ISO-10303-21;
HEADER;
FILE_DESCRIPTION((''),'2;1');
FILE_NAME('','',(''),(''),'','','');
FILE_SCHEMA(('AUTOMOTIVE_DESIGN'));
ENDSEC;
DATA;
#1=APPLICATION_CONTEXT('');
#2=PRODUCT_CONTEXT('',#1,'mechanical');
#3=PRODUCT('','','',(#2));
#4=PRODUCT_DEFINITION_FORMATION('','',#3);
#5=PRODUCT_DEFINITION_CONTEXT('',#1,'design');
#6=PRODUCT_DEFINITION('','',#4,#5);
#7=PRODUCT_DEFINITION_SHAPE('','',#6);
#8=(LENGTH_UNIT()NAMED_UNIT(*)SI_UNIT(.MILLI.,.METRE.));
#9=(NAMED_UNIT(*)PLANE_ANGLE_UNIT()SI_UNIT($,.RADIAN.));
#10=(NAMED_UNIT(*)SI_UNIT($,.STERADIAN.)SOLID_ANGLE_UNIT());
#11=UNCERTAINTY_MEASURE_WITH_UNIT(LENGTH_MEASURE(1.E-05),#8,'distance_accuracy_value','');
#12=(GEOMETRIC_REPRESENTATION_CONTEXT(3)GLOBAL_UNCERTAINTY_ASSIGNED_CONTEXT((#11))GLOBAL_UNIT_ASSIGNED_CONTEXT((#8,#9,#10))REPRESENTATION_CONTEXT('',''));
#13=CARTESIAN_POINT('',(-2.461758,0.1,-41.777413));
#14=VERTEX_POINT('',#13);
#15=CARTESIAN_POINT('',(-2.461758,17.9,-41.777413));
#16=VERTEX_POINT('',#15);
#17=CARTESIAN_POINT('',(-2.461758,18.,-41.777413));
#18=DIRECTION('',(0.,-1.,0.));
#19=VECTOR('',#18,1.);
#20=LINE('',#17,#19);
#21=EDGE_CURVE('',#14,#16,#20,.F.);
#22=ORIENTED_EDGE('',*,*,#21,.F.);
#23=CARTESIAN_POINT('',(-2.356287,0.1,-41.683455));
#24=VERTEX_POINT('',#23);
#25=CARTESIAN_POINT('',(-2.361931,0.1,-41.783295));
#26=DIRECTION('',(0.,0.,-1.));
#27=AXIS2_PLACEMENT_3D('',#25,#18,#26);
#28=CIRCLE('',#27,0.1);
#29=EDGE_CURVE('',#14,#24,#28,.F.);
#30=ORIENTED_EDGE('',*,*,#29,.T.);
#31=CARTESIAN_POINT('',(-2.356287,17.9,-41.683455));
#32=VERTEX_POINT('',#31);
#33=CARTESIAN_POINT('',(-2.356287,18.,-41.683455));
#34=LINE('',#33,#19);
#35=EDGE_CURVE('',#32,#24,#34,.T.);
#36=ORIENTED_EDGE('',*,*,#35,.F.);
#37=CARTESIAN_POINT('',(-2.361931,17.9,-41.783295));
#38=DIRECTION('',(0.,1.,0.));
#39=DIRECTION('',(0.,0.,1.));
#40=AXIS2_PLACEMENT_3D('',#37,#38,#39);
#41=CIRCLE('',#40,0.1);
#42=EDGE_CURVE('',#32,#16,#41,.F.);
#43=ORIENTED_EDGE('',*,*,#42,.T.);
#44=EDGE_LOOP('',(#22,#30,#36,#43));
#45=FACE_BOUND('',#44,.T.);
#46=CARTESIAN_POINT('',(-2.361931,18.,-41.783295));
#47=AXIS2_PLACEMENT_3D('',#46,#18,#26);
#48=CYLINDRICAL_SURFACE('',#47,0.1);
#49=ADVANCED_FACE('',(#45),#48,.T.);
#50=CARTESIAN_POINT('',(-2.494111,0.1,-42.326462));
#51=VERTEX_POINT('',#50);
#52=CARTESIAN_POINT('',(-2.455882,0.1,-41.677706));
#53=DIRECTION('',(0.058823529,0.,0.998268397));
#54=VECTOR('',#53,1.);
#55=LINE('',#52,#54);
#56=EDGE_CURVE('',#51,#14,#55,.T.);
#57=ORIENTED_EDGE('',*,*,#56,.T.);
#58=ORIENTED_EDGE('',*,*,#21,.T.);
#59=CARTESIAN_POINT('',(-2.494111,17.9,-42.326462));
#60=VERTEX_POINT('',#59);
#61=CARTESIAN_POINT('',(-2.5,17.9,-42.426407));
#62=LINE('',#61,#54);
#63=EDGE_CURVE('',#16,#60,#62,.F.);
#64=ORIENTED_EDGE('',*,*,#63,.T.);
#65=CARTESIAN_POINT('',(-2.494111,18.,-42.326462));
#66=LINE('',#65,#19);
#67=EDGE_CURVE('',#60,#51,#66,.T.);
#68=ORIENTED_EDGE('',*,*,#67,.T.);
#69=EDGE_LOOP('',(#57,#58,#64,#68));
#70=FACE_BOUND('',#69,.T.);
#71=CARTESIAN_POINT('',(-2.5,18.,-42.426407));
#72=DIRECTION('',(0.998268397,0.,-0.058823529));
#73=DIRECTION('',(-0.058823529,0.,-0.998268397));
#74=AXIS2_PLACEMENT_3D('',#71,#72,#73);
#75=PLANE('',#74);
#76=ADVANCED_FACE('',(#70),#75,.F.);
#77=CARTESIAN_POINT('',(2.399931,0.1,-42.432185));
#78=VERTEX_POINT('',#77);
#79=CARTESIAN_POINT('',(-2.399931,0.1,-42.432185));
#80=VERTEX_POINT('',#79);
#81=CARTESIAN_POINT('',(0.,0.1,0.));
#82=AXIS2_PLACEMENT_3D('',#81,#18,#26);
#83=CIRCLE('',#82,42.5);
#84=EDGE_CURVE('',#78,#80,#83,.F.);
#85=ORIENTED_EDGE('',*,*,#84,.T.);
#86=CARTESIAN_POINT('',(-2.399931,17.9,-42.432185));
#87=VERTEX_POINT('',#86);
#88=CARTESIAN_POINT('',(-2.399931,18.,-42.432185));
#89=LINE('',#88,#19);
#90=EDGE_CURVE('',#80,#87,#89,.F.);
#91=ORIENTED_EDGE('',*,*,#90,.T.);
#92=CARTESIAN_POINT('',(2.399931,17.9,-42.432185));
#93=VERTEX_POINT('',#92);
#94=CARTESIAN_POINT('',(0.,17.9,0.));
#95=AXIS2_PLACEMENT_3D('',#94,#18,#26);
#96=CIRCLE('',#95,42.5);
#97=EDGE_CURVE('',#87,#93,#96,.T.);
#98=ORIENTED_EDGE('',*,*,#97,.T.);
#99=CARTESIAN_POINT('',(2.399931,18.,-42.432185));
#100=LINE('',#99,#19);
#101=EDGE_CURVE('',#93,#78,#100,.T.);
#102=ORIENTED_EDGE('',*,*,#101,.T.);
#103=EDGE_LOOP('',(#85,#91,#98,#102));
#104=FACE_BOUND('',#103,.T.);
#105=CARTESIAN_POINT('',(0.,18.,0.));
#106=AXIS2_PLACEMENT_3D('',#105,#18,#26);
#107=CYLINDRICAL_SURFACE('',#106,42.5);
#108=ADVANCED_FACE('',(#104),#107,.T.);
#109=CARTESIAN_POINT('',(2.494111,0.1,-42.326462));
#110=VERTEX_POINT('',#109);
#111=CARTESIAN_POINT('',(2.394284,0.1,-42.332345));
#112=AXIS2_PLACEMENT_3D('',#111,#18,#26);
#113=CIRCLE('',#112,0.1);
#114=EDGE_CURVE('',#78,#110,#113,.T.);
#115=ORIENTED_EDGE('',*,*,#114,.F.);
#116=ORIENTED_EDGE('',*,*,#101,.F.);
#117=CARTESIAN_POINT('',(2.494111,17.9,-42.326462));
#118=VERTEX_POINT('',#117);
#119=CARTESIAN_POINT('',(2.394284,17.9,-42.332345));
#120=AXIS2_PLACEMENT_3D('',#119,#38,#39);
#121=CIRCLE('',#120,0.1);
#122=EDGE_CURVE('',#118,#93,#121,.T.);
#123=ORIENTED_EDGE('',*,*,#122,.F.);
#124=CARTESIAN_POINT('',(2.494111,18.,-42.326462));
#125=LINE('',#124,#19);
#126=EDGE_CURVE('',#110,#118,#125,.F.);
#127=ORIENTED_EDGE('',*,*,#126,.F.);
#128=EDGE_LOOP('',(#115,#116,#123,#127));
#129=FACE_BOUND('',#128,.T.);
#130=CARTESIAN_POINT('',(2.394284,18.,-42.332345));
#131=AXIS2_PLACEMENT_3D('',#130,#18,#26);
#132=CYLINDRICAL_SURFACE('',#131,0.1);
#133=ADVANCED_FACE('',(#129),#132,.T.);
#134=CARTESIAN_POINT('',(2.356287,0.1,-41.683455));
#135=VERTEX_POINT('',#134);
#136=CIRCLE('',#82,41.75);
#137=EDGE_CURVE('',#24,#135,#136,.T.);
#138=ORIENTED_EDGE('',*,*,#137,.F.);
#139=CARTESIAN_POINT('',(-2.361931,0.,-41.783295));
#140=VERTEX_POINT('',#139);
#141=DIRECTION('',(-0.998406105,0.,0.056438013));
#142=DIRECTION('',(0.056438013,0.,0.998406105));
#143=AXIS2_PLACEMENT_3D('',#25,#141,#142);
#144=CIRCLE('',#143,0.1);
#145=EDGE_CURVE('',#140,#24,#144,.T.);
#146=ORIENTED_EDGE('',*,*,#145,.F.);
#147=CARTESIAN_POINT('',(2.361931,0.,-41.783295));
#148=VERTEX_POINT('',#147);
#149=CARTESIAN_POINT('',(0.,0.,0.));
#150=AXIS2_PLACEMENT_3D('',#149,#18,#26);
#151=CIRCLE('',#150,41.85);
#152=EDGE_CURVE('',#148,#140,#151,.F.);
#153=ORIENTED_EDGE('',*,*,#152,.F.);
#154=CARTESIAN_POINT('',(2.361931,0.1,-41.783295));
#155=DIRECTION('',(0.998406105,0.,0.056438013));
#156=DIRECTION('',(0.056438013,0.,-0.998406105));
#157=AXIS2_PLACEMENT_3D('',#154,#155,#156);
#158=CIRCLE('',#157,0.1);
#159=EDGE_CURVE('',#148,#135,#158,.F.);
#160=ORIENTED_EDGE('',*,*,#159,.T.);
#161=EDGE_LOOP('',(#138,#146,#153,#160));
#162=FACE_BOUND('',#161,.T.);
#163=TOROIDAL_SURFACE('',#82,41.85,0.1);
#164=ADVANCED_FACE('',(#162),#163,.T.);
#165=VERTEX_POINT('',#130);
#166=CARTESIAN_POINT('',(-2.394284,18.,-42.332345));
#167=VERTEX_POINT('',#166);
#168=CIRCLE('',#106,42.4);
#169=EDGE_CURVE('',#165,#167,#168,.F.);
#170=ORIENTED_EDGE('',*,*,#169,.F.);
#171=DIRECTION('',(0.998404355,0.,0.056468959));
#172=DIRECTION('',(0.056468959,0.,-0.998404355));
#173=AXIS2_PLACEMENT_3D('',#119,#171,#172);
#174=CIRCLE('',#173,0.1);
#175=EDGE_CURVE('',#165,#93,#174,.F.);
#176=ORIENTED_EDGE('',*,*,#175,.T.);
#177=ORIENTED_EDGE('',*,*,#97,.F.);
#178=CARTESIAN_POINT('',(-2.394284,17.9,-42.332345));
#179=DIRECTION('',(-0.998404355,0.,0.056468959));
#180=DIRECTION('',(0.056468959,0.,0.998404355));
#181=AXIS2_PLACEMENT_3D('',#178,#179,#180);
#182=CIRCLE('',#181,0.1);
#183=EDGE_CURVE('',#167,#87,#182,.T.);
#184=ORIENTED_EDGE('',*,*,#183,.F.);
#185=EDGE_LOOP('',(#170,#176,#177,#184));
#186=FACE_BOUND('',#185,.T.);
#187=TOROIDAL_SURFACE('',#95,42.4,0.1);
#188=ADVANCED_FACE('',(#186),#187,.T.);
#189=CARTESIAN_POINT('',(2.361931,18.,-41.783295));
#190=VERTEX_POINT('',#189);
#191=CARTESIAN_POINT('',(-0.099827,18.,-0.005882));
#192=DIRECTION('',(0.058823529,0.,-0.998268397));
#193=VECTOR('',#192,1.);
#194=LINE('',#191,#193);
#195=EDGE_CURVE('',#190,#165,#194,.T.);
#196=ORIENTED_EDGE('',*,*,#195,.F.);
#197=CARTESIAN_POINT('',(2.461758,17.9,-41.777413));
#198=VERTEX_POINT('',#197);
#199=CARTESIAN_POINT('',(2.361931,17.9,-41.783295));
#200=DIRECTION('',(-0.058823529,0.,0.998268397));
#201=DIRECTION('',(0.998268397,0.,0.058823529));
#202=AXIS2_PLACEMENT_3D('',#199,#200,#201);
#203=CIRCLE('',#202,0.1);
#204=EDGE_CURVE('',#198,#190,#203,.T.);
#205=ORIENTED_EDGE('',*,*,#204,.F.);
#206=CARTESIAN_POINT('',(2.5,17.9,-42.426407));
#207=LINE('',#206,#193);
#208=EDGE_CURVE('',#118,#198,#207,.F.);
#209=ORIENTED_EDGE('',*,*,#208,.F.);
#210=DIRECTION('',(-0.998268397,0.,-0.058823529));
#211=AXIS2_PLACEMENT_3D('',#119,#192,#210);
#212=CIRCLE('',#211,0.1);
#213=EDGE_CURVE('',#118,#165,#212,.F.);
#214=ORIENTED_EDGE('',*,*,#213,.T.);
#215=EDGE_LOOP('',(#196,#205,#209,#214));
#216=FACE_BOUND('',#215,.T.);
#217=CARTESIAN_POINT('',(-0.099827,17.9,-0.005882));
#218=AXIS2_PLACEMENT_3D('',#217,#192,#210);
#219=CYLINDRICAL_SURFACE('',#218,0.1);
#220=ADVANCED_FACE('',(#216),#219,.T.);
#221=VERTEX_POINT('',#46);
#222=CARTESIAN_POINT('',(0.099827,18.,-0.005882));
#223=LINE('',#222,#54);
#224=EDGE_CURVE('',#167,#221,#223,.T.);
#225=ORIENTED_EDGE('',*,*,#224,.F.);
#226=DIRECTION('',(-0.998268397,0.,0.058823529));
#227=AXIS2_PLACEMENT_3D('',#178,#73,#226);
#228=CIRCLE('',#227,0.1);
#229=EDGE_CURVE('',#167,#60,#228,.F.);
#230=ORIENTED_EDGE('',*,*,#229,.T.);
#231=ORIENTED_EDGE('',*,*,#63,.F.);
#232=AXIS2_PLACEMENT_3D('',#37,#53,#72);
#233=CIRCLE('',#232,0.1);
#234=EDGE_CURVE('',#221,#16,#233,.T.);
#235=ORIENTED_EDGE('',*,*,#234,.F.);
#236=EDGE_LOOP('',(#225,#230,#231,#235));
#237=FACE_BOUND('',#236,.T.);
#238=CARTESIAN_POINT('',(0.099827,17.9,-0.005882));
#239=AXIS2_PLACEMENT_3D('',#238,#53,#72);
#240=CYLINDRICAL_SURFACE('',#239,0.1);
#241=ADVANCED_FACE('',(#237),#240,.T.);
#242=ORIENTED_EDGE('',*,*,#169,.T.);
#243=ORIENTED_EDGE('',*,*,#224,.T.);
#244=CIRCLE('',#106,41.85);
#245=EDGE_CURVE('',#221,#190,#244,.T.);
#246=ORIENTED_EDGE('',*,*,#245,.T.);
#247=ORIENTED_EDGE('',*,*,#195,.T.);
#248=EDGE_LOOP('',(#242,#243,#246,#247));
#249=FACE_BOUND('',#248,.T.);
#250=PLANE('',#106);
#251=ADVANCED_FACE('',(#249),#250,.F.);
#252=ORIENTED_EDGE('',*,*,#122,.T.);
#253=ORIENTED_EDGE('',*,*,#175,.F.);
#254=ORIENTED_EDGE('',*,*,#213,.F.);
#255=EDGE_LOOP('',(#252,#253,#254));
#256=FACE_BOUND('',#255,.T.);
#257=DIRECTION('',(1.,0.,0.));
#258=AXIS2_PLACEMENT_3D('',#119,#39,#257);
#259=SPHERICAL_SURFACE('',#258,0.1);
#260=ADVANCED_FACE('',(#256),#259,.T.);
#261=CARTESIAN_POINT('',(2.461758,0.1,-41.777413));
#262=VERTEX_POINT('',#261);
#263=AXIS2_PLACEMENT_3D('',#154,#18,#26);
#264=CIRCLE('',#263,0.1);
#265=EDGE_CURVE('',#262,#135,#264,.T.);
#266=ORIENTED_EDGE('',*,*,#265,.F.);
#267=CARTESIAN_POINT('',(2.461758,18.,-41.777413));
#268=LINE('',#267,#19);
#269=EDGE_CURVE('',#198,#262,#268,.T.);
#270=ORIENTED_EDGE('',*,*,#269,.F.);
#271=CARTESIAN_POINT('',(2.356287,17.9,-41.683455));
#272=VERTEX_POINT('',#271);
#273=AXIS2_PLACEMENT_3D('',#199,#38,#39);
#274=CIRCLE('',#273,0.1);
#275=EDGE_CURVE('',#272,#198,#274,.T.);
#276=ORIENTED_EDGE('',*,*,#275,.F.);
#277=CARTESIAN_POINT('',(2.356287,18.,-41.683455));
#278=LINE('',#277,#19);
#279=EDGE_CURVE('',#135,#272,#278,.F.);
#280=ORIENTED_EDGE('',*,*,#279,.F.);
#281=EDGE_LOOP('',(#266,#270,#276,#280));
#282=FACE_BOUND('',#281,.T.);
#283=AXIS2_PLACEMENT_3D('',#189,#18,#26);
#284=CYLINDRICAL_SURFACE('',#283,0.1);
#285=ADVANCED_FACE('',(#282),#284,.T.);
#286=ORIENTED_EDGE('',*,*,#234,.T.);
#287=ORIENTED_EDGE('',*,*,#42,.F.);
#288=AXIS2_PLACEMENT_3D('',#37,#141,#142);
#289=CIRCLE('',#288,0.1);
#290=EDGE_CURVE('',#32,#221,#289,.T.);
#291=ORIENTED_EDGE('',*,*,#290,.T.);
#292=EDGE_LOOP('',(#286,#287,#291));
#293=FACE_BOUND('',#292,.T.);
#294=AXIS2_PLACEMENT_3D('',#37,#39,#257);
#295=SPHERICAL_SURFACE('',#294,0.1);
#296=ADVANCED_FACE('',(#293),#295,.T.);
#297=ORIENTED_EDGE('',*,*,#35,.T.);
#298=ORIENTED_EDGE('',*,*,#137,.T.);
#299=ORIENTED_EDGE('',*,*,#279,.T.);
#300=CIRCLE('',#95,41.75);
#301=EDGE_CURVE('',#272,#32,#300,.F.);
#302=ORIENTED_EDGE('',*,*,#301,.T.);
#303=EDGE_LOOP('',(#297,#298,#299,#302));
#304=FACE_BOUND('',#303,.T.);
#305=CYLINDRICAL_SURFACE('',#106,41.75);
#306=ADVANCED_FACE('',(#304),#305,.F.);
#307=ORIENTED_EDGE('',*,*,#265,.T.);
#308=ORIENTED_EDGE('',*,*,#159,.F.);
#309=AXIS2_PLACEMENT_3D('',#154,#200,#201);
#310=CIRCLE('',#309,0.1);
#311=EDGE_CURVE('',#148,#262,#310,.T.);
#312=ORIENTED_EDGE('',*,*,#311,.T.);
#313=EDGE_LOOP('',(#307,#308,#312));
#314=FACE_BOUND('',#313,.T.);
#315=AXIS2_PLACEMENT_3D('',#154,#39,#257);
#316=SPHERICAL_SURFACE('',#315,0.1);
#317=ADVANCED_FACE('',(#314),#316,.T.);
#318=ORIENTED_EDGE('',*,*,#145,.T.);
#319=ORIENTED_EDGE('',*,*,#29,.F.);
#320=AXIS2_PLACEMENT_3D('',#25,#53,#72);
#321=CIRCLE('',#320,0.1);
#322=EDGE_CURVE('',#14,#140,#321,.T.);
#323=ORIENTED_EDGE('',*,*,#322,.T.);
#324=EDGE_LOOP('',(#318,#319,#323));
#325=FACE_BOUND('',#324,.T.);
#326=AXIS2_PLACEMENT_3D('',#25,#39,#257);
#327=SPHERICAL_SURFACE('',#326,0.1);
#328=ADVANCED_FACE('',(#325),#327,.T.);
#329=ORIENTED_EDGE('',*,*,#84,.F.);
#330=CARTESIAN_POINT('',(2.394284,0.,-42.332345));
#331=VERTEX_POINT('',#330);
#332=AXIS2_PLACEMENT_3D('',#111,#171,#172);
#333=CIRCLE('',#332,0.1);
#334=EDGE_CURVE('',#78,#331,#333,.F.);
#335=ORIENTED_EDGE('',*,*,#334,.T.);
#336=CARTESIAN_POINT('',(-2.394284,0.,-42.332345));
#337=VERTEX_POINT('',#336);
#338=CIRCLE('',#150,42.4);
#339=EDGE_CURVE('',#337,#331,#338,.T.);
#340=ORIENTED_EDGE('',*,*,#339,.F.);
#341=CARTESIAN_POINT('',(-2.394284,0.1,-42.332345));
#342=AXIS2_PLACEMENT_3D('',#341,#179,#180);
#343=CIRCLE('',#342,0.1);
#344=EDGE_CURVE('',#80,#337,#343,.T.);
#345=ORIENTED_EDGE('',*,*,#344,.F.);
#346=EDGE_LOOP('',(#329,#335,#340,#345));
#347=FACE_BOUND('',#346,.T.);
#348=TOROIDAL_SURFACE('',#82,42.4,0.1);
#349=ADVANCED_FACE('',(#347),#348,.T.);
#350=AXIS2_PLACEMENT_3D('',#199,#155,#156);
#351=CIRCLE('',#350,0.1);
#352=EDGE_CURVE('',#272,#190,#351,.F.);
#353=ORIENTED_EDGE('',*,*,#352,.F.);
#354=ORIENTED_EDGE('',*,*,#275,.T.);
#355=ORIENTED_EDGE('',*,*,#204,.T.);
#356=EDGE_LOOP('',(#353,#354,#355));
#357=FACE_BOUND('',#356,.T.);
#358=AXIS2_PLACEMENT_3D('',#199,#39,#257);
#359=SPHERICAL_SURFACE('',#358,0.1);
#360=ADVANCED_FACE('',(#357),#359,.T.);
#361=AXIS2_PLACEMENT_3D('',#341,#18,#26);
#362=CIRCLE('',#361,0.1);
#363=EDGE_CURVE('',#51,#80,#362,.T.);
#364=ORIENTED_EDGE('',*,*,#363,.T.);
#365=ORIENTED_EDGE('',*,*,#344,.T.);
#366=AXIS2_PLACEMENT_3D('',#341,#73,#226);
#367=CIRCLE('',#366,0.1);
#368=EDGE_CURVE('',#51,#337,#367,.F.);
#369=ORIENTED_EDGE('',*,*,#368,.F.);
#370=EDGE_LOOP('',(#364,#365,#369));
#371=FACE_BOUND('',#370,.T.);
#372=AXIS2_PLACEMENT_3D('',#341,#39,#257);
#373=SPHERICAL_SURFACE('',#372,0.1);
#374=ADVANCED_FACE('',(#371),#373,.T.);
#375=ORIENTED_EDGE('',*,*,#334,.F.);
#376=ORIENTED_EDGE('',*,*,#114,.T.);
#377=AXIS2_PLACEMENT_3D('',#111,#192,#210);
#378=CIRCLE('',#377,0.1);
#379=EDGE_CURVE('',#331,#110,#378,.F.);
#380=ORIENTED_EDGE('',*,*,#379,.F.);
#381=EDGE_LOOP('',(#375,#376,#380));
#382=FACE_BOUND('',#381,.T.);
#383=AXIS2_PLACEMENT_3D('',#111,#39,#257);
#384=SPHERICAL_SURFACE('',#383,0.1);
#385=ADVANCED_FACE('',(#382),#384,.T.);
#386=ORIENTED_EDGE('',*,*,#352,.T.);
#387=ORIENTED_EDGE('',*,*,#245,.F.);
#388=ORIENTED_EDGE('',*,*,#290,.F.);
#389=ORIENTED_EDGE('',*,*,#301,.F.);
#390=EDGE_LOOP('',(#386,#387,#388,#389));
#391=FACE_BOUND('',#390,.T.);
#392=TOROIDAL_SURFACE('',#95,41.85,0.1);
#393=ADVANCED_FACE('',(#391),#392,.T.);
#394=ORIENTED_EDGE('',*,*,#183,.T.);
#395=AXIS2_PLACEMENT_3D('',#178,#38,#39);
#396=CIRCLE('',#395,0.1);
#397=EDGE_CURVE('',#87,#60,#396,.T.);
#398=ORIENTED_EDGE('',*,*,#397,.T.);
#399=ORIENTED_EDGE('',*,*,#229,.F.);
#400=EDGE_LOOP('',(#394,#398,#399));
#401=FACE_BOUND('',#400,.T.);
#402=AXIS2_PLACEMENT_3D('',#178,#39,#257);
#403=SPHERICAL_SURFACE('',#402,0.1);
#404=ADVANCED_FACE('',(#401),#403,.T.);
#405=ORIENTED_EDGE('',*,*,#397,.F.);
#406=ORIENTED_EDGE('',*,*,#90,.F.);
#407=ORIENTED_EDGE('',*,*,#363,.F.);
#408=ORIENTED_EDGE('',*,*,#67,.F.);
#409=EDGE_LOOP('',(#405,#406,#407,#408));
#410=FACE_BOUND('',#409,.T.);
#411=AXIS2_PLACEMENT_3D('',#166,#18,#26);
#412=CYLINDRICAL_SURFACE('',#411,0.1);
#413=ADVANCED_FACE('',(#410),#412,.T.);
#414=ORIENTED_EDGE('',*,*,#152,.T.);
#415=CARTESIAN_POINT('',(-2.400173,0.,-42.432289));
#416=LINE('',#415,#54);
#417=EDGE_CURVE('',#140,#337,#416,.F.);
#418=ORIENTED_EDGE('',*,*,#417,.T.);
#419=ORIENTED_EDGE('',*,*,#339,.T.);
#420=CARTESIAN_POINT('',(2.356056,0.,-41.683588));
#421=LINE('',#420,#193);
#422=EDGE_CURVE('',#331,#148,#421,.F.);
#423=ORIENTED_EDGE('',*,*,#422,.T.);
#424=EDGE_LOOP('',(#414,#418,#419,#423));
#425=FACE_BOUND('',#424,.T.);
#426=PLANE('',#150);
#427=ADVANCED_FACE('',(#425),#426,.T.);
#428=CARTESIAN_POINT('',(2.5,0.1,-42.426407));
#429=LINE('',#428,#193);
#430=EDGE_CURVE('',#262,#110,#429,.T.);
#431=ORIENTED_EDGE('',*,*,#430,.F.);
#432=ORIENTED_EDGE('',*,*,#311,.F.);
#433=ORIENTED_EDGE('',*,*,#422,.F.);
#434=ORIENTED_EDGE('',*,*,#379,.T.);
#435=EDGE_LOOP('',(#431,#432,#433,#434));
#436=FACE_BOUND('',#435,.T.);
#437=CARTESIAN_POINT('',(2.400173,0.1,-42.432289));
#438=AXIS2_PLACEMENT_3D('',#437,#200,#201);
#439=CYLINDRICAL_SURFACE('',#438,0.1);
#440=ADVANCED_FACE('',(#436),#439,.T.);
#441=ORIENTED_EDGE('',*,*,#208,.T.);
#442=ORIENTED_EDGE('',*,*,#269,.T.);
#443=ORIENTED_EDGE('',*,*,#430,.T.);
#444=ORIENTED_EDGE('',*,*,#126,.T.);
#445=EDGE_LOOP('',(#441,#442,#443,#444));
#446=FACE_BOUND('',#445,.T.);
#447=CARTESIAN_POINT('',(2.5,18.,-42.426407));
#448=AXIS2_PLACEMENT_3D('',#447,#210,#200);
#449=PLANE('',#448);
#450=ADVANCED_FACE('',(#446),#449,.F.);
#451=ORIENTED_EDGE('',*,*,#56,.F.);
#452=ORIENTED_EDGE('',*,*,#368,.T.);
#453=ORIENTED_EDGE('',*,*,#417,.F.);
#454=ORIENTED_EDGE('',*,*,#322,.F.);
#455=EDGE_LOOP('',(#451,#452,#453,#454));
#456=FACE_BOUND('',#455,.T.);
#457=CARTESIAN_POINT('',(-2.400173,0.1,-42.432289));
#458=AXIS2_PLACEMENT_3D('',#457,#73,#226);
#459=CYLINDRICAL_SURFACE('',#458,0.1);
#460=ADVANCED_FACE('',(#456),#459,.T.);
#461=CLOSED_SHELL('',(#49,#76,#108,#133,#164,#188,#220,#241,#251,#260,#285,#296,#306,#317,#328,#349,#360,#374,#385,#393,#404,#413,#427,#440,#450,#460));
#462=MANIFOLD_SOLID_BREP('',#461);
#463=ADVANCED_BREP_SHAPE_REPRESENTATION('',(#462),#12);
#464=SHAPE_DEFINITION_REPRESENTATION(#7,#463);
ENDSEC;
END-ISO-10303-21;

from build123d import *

# Parameters (mm, degrees)
P_IDAT_VYSUNUT_M1_DEPTH = 18
ZAOBLIT1_R              = 0.1


with BuildPart() as part:
    # Skica1 → Přidat vysunutím1 (new body)
    with BuildSketch(Plane(origin=(0, 0, 0), x_dir=(1, 0, 0), z_dir=(0, 1, 0))):
        with BuildLine():
            Line((-2.5, 42.426406871), (-2.455882353, 41.677705573))
            ThreePointArc((-2.455882353, 41.677705573), (0, 41.75), (2.455882353, 41.677705573))
            Line((2.455882353, 41.677705573), (2.5, 42.426406871))
            ThreePointArc((2.5, 42.426406871), (0, 42.5), (-2.5, 42.426406871))
        make_face()
    extrude(amount=P_IDAT_VYSUNUT_M1_DEPTH)

    # Zaoblit1
    zaoblit1_edges = [part.edges().sort_by_distance(p)[0] for p in [
        (0, 18, -41.75),
        (2.477941176, 18, -42.052056222),
        (0, 18, -42.5),
        (2.477941176, 0, -42.052056222),
        (0, 0, -41.75),
        (-2.477941176, 0, -42.052056222),
        (0, 0, -42.5),
        (2.5, 9, -42.426406871),
        (2.455882353, 9, -41.677705573),
        (-2.455882353, 9, -41.677705573),
        (-2.5, 9, -42.426406871),
        (-2.477941176, 18, -42.052056222),
    ]]
    fillet(zaoblit1_edges, radius=ZAOBLIT1_R)


solid = part.part
